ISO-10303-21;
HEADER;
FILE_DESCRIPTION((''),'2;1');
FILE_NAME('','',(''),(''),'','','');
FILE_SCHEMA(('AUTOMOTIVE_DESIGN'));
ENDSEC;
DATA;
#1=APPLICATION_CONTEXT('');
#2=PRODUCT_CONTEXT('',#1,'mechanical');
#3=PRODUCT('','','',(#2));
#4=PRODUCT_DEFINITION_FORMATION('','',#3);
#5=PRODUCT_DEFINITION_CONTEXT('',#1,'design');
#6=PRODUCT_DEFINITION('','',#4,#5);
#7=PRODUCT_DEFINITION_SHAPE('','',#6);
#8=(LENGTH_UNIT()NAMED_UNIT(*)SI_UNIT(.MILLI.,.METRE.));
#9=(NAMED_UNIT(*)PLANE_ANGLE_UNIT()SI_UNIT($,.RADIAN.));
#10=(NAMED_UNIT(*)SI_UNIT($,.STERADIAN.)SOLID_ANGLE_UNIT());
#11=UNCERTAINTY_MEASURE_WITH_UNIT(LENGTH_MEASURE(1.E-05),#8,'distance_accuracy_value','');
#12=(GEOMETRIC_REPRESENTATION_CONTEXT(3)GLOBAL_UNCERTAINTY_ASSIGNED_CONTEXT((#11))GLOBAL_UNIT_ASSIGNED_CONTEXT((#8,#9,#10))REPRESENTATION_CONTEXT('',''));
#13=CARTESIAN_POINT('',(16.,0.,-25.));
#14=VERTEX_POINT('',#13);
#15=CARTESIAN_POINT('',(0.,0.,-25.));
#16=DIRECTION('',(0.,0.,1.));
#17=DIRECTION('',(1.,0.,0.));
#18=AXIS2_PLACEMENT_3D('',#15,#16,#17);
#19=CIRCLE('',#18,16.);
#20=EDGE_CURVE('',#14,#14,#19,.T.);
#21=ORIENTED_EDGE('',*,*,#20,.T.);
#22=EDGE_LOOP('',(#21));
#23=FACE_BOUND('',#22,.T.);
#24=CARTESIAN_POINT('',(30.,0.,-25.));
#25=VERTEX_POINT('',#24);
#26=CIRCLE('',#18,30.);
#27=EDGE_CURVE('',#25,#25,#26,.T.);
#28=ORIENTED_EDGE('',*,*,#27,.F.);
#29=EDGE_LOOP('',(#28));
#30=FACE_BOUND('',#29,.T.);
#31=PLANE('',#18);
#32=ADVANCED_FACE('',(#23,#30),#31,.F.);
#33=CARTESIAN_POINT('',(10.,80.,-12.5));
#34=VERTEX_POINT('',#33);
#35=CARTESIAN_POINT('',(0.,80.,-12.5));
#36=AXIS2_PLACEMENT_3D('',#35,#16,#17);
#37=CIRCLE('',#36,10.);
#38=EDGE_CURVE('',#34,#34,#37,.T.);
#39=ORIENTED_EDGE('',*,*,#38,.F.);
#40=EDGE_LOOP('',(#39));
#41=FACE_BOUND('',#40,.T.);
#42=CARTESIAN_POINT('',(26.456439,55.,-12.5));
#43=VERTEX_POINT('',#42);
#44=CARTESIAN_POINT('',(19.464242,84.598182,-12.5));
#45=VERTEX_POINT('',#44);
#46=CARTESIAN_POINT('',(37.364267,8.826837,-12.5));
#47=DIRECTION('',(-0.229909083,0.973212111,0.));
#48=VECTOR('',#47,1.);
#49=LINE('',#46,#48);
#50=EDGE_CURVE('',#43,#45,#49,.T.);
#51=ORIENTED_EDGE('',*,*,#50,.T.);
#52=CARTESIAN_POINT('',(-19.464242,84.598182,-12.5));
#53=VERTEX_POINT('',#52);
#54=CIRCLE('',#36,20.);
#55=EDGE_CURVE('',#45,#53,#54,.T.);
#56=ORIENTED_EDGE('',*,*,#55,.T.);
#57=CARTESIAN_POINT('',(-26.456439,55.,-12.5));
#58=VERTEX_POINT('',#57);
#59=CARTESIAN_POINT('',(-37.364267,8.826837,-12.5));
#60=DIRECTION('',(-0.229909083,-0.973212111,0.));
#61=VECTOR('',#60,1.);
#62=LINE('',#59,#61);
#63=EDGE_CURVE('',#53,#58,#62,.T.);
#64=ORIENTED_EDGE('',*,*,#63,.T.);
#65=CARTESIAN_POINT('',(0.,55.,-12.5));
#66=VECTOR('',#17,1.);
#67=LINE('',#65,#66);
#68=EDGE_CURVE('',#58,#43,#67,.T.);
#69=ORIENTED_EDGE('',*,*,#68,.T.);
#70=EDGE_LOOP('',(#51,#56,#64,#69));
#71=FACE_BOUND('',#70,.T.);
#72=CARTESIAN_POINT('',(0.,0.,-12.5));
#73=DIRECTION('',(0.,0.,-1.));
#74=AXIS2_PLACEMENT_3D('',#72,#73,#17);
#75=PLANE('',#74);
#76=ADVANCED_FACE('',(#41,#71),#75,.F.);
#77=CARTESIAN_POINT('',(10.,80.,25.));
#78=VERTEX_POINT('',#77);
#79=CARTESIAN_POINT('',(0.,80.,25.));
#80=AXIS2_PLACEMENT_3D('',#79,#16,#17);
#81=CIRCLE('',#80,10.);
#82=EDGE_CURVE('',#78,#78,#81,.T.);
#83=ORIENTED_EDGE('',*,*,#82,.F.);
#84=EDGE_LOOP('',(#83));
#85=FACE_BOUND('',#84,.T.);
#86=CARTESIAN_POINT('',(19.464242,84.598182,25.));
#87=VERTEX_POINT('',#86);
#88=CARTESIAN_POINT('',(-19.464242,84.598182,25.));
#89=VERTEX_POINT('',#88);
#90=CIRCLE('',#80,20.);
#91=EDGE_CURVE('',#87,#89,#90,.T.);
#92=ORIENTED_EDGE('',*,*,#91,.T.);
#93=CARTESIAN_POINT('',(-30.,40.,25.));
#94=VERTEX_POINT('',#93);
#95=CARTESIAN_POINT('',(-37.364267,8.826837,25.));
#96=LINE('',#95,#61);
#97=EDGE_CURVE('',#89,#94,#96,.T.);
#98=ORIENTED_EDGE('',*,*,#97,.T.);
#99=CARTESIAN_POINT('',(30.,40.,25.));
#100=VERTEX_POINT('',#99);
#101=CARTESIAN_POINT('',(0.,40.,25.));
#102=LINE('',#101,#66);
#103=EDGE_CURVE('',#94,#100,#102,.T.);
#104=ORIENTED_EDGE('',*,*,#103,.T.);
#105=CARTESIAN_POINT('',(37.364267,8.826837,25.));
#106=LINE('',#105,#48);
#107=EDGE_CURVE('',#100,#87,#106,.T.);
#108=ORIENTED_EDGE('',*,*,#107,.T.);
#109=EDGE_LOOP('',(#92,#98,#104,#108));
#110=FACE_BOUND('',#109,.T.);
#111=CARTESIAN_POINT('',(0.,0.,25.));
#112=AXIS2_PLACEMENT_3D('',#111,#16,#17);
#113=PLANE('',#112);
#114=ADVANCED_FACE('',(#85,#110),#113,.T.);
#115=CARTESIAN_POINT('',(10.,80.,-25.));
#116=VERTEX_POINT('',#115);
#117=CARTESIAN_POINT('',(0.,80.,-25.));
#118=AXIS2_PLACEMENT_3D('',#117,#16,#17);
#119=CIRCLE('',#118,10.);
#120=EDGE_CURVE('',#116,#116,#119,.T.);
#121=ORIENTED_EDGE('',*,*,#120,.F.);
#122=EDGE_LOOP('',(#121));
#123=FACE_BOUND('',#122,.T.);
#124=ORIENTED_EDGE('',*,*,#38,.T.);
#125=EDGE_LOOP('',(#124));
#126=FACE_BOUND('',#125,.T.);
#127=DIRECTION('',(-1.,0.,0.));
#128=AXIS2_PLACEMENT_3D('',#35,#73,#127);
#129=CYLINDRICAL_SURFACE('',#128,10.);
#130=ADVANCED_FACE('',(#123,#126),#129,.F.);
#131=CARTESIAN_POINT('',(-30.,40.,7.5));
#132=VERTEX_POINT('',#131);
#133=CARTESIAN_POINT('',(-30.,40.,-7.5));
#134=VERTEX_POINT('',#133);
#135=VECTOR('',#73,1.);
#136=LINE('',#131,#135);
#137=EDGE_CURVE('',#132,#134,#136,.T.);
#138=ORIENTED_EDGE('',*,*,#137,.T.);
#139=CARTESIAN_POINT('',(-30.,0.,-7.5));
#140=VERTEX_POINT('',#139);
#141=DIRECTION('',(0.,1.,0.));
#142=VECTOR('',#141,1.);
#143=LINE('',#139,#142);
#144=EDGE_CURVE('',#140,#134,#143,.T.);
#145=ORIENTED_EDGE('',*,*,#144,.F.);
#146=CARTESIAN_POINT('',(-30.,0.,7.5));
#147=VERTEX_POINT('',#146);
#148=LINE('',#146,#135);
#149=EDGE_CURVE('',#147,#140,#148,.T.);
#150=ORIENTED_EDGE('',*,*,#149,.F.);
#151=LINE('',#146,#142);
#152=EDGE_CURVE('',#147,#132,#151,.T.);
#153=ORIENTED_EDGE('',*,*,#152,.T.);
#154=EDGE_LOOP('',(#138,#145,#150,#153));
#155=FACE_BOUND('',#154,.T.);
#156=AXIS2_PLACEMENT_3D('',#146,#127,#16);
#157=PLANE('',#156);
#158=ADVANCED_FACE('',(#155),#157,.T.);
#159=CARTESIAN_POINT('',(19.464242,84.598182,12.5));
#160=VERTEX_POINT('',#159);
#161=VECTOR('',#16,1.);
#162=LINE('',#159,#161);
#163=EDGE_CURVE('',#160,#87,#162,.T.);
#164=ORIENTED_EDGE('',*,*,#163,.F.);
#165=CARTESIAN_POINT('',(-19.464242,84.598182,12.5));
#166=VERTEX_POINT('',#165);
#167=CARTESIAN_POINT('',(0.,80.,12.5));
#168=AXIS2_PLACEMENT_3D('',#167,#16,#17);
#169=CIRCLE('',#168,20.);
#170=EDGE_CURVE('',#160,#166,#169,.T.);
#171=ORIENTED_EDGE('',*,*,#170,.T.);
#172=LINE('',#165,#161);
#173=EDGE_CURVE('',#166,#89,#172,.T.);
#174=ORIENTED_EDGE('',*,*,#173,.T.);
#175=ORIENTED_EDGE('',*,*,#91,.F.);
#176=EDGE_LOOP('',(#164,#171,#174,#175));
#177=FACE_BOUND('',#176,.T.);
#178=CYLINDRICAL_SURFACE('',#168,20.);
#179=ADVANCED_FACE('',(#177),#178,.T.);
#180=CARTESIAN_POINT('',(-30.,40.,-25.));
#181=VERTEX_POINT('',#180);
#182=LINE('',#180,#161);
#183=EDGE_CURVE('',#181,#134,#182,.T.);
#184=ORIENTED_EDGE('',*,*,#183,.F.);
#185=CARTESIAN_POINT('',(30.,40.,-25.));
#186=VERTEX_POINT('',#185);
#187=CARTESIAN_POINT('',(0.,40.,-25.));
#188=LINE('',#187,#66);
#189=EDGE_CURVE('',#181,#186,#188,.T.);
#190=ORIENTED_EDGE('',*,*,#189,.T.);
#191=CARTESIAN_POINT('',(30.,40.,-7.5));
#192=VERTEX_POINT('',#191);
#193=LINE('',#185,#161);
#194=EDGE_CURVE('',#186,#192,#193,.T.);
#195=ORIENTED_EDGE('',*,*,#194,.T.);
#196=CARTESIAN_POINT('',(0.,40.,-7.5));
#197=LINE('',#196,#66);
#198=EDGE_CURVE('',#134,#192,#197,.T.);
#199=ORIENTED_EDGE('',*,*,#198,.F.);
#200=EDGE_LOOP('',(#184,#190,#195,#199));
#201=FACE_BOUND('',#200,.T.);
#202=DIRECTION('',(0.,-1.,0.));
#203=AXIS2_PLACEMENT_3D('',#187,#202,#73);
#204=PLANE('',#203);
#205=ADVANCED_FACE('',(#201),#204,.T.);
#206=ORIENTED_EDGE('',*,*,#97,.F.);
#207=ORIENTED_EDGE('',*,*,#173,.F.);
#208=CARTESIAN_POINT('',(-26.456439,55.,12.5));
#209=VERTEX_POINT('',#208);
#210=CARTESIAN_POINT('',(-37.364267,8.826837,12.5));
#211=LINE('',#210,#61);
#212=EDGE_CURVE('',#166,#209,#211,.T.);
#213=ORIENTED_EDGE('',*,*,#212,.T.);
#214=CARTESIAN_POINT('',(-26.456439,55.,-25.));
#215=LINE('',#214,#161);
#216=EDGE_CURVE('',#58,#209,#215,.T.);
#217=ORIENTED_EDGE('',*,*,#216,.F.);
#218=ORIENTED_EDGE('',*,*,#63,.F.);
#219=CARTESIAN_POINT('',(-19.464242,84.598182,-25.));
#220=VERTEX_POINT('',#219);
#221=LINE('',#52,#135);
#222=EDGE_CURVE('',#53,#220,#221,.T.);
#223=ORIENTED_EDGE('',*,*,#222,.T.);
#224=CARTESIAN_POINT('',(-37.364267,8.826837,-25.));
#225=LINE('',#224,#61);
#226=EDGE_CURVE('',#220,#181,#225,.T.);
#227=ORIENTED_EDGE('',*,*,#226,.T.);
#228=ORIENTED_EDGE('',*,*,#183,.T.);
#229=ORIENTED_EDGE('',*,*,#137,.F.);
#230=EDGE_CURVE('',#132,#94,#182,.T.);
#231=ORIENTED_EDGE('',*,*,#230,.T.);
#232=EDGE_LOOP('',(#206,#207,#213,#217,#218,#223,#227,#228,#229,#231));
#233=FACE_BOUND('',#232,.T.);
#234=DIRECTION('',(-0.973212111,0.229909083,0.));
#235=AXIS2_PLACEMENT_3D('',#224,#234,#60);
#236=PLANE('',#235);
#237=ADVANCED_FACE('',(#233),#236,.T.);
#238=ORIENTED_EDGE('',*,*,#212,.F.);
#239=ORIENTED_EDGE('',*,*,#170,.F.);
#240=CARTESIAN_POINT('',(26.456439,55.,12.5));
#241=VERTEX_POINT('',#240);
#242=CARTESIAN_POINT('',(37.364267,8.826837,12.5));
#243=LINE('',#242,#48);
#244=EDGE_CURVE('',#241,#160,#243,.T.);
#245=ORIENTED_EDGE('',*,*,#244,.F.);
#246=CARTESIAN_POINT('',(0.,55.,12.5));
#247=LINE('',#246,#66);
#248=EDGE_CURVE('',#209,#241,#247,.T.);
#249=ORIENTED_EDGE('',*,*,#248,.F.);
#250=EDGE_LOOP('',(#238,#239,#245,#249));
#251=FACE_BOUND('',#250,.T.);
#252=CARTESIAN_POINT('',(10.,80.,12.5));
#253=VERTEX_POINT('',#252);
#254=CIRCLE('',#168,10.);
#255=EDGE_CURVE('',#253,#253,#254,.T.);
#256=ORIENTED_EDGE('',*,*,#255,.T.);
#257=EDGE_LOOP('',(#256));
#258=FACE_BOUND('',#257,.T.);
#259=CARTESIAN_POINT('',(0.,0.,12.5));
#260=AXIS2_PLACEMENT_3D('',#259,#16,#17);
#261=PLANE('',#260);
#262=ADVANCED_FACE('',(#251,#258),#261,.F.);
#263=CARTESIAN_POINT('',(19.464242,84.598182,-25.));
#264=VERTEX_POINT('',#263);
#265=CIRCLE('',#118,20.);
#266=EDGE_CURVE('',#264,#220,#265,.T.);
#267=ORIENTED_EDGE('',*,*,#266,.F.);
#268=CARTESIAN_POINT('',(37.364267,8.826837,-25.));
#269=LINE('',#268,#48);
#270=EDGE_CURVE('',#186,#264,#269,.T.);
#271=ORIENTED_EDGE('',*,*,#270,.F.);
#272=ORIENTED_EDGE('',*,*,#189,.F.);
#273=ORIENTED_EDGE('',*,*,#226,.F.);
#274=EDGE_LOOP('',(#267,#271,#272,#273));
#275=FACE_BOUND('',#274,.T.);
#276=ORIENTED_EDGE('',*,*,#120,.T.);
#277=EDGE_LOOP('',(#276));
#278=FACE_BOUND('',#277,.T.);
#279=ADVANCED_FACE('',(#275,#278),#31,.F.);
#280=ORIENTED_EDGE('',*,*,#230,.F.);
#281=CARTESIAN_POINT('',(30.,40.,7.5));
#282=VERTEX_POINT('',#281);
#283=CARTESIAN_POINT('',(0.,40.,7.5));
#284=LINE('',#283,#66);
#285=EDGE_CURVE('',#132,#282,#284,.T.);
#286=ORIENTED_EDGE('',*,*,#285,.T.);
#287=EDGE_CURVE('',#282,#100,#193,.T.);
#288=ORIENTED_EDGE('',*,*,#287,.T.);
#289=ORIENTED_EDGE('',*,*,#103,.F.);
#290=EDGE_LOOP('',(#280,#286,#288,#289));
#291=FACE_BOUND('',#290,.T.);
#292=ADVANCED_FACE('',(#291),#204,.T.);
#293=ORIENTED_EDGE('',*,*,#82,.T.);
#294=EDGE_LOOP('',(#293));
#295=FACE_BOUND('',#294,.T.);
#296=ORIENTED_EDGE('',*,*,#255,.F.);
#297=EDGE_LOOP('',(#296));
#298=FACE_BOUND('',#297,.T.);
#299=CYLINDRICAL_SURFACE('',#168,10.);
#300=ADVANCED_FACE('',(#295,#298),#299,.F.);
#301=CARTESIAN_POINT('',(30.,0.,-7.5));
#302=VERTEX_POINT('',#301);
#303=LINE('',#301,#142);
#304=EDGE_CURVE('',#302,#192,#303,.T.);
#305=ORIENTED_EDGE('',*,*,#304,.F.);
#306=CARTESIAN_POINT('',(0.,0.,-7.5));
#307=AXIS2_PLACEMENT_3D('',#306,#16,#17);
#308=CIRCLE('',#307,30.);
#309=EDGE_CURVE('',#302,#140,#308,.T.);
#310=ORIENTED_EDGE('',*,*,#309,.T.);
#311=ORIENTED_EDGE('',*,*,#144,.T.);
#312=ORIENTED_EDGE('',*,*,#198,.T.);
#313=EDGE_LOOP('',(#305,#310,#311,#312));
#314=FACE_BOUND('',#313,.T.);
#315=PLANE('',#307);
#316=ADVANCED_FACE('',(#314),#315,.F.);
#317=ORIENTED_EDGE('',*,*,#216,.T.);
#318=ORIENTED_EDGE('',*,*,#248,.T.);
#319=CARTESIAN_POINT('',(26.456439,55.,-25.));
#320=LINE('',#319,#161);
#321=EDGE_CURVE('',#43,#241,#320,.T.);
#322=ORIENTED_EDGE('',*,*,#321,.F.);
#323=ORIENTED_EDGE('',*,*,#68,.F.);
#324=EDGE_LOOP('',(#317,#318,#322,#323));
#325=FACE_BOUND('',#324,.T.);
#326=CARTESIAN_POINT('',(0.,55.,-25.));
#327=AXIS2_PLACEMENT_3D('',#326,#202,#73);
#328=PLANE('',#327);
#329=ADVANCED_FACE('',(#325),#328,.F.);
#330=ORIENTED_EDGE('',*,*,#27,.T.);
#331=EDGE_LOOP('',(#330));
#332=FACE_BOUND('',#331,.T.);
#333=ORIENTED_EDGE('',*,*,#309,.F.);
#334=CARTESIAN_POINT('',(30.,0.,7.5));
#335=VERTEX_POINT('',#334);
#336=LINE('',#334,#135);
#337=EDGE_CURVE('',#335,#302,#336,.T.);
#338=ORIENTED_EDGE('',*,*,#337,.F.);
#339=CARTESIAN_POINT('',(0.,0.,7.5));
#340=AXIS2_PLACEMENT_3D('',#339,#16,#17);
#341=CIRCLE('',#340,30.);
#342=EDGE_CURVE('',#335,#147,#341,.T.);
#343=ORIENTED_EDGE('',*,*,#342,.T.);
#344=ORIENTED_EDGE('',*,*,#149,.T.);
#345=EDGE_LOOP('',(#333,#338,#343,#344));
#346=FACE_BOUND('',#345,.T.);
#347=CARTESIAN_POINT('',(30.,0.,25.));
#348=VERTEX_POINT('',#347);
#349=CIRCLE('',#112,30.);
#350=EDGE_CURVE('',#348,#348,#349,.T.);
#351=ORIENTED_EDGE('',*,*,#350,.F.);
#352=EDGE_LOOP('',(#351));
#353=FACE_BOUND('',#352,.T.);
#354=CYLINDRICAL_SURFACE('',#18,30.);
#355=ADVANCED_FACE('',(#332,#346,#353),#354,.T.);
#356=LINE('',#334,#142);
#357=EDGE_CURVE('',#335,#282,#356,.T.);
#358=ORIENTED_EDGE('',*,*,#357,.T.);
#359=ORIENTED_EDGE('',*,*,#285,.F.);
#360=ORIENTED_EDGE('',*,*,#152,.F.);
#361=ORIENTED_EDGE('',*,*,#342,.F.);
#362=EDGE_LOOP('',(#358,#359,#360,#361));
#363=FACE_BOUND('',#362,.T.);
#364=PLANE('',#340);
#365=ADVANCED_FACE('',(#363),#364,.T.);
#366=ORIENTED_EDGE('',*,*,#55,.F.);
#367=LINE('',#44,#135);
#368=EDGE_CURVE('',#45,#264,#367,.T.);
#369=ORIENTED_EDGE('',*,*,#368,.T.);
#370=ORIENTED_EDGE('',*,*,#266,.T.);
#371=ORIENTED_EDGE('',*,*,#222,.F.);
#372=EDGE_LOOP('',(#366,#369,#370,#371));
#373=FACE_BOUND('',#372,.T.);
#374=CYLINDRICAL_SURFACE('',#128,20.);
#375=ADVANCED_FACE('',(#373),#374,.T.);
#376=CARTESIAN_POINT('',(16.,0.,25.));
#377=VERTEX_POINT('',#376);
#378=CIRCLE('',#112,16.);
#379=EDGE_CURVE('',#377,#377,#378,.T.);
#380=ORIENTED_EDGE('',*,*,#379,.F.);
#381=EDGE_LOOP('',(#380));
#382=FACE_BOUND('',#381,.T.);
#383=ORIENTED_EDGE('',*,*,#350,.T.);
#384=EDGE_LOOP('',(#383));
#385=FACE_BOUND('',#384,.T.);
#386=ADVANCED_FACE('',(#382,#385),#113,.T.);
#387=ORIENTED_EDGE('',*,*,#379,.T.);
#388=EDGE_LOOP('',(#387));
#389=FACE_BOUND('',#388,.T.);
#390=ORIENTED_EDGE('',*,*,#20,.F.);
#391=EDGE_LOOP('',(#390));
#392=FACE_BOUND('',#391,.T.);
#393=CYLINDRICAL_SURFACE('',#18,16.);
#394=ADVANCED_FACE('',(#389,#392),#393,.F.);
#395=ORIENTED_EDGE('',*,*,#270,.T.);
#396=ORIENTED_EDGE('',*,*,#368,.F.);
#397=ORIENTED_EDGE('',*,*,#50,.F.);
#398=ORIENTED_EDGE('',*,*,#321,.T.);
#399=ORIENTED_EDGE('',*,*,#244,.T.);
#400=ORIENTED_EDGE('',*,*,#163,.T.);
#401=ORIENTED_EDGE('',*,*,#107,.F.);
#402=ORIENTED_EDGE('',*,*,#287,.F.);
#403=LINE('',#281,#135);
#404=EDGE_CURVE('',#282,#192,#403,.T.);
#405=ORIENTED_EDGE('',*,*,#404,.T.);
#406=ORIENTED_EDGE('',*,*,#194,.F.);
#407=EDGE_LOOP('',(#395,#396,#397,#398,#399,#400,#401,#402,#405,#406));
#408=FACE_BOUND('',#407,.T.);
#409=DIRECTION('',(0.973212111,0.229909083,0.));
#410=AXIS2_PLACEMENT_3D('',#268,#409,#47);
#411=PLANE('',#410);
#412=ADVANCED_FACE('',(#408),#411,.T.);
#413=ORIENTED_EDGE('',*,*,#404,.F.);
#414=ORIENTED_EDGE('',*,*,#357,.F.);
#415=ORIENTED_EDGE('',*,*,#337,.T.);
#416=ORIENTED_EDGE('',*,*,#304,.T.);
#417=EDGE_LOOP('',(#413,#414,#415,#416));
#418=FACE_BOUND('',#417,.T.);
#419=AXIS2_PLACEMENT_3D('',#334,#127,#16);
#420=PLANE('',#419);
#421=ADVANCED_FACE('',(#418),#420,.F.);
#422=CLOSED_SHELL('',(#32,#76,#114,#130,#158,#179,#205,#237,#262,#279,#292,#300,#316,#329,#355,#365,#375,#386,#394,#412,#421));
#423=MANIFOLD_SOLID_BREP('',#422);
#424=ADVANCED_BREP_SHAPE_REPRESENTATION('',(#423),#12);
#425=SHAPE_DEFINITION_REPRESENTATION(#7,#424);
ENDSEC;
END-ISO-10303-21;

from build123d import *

# Parameters (mm, degrees)
SKETCH1_R           = 30
SKETCH1_R_2         = 16
BOSS_EXTRUDE1_DEPTH = 25
BOSS_EXTRUDE5_DEPTH = 7.5
BOSS_EXTRUDE6_DEPTH = 50
SKETCH7_3_R         = 10
BOSS_EXTRUDE7_DEPTH = 12.5


with BuildPart() as part:
    # Sketch1 → Boss-Extrude1 (new, symmetric)
    with BuildSketch(Plane.XY):
        Circle(SKETCH1_R)
        Circle(SKETCH1_R_2, mode=Mode.SUBTRACT)
    extrude(amount=BOSS_EXTRUDE1_DEPTH, both=True)

    # Sketch2 → Boss-Extrude5 (add, symmetric)
    with BuildSketch(Plane.XY):
        with BuildLine():
            ThreePointArc((-30, 0), (0, 30), (30, 0))
            Line((30, 0), (30, 40))
            Line((30, 40), (-30, 40))
            Line((-30, 40), (-30, 0))
        make_face()
    extrude(amount=BOSS_EXTRUDE5_DEPTH, both=True)

    # Sketch7 → Boss-Extrude6 (add)
    with BuildSketch(Plane.XY.offset(25)):
        Polygon((-30, 40), (30, 40), (26.456439237, 55), (-26.456439237, 55), align=None)
    extrude(amount=-BOSS_EXTRUDE6_DEPTH)

    # Sketch7<3> → Boss-Extrude7 (add)
    with BuildSketch(Plane.XY.offset(25)):
        with BuildLine():
            Line((-19.464242224, 84.598181668), (-26.456439237, 55))
            Line((-26.456439237, 55), (26.456439237, 55))
            Line((26.456439237, 55), (19.464242224, 84.598181668))
            ThreePointArc((19.464242224, 84.598181668), (0, 100), (-19.464242224, 84.598181668))
        make_face()
        with Locations((0, 80)):
            Circle(SKETCH7_3_R, mode=Mode.SUBTRACT)
    boss_extrude7 = extrude(amount=-BOSS_EXTRUDE7_DEPTH)

    # Mirror2: Boss-Extrude7 across plane
    add(boss_extrude7.mirror(Plane.XY))


solid = part.part
